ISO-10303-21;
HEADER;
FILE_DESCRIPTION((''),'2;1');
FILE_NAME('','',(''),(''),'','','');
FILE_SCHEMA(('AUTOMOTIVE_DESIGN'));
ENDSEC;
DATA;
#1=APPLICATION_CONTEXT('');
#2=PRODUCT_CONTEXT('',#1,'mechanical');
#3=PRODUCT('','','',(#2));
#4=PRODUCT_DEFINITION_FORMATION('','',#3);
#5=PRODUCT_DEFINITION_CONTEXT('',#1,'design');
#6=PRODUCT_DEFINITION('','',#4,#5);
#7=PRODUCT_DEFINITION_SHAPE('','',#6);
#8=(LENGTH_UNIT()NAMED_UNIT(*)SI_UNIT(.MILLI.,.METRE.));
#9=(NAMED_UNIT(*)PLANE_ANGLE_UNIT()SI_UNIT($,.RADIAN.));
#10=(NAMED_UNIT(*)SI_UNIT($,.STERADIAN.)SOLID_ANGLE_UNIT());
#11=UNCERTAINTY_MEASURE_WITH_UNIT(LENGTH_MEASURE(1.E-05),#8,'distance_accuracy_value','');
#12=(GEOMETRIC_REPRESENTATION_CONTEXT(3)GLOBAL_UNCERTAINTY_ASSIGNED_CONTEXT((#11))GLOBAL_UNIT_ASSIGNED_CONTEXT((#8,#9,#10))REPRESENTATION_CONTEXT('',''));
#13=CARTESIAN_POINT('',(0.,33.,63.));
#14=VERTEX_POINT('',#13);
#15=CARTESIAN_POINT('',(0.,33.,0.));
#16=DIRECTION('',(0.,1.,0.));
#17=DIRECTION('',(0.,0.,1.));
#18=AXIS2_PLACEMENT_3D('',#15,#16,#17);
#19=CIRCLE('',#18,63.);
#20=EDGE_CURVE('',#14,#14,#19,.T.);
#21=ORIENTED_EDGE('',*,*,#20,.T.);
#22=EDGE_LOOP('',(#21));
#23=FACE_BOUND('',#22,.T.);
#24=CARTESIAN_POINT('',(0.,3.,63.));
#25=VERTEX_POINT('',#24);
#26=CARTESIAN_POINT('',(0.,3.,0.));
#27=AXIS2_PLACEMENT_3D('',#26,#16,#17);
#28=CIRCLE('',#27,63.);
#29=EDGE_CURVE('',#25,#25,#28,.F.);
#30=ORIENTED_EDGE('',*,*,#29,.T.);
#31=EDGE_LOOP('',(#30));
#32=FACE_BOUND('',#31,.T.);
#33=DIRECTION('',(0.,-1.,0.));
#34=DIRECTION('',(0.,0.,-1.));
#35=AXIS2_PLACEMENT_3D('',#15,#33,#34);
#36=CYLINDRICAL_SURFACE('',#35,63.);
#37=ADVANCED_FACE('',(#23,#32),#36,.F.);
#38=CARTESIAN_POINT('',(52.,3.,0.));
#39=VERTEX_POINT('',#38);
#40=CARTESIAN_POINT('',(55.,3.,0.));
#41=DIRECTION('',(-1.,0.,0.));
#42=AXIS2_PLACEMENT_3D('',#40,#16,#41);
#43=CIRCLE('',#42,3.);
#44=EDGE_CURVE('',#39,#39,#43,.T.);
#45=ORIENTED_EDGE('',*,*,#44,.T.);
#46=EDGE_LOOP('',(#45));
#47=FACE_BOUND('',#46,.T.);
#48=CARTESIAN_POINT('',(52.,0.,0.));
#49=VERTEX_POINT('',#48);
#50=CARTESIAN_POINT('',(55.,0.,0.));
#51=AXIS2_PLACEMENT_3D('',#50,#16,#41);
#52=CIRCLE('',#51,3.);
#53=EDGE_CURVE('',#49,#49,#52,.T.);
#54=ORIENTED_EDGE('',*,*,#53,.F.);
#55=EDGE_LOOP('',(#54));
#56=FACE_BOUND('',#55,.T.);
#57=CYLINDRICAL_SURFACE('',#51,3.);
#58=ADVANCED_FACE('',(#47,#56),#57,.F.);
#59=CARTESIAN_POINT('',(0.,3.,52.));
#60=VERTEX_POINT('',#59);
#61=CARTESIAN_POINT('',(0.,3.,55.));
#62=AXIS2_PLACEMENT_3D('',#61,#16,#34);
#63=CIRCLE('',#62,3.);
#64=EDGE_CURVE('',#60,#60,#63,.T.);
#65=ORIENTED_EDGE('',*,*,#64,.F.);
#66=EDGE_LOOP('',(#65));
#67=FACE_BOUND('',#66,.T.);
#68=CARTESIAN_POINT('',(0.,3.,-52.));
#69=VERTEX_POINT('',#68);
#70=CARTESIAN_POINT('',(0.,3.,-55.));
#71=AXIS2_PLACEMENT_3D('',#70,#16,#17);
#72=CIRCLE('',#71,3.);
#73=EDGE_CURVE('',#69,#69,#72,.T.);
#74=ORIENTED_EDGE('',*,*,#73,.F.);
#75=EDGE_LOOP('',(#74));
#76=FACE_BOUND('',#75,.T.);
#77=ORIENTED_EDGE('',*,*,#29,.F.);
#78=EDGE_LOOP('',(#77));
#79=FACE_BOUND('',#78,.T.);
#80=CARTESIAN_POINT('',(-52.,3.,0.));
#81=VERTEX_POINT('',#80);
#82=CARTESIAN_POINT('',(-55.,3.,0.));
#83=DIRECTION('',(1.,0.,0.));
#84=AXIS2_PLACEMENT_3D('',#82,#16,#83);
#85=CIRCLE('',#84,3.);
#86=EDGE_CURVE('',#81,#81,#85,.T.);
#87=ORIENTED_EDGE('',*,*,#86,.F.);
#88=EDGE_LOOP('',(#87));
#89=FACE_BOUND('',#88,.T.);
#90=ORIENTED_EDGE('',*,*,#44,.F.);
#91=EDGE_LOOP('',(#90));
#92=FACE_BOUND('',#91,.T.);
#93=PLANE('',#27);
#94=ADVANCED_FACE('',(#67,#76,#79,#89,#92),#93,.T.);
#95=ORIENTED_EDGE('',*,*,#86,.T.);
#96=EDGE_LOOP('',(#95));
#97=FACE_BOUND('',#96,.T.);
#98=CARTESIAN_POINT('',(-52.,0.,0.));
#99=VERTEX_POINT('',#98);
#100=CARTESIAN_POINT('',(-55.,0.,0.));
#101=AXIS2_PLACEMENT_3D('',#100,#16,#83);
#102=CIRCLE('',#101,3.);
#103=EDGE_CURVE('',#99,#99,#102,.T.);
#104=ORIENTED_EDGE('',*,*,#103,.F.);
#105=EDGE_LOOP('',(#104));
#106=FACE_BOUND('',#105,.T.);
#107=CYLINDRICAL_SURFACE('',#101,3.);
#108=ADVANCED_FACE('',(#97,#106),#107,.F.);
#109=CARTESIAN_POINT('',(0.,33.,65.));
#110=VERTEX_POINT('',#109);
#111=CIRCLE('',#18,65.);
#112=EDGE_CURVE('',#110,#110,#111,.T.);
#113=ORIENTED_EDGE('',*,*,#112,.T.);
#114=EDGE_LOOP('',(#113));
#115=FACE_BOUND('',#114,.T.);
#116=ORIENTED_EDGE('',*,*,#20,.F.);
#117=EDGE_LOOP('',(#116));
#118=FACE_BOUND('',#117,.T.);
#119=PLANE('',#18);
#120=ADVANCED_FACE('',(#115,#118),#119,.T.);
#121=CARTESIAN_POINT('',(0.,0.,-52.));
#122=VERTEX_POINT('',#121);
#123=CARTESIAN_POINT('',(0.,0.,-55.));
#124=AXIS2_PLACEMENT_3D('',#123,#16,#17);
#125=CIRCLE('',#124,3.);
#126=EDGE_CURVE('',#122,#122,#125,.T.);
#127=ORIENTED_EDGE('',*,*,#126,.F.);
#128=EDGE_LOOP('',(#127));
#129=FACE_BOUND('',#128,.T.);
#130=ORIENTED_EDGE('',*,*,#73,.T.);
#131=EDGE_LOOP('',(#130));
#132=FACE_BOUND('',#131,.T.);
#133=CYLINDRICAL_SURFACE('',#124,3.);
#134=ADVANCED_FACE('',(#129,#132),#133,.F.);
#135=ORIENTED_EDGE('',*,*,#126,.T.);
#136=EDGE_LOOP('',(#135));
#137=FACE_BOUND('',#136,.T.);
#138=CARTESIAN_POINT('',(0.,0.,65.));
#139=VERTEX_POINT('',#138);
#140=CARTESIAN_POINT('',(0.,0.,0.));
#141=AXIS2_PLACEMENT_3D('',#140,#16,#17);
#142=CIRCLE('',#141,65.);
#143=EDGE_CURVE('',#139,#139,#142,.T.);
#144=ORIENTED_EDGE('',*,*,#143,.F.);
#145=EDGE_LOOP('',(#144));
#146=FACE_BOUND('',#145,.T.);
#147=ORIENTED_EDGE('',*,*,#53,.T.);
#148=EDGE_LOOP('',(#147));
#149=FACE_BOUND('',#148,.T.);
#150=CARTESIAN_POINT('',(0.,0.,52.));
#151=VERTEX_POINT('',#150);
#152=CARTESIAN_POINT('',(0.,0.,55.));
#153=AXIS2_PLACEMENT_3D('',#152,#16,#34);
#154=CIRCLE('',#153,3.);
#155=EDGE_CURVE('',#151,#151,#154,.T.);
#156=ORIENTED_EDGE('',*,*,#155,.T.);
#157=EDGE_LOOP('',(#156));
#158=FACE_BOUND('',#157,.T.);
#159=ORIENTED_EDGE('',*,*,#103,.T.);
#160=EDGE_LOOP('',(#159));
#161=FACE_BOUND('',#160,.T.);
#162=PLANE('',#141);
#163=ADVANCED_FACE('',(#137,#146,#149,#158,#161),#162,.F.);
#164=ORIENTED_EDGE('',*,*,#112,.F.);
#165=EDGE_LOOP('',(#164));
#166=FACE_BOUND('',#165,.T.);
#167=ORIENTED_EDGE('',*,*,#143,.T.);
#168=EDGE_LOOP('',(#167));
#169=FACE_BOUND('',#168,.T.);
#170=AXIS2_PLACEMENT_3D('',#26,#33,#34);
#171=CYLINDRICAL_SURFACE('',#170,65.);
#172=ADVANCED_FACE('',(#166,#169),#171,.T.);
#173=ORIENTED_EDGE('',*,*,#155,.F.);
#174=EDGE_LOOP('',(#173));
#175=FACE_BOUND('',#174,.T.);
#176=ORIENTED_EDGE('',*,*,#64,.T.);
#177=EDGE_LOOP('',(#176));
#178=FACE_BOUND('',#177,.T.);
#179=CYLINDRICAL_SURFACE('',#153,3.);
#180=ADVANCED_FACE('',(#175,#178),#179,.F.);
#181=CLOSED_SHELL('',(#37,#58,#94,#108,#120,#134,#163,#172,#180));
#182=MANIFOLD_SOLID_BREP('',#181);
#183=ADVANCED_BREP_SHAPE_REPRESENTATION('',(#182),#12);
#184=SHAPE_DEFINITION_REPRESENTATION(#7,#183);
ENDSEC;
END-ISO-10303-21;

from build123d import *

# Parameters (mm, degrees)
SKETCH1_R           = 65
BOSS_EXTRUDE1_DEPTH = 3
SKETCH2_R           = 3
CUT_EXTRUDE1_DEPTH  = 4
CIRPATTERN1_COUNT   = 4
SKETCH3_R           = 65
SKETCH3_R_2         = 63
BOSS_EXTRUDE2_DEPTH = 30


with BuildPart() as part:
    # Sketch1 → Boss-Extrude1 (new body)
    with BuildSketch(Plane(origin=(0, 0, 0), x_dir=(1, 0, 0), z_dir=(0, 1, 0))):
        Circle(SKETCH1_R)
    extrude(amount=BOSS_EXTRUDE1_DEPTH)

    # Sketch2 → Cut-Extrude1 (cut, through all)
    with BuildSketch(Plane(origin=(0, 3, 0), x_dir=(1, 0, 0), z_dir=(0, 1, 0))):
        with Locations((0, 55)):
            Circle(SKETCH2_R)
    cut_extrude1 = extrude(amount=-CUT_EXTRUDE1_DEPTH, mode=Mode.SUBTRACT)

    # CirPattern1: Cut-Extrude1 ×4 about axis
    cirpattern1_axis = Axis((0, 0, 0), (0, 1, 0))
    for i in range(1, CIRPATTERN1_COUNT):
        add(cut_extrude1.rotate(cirpattern1_axis, i * 360 / CIRPATTERN1_COUNT), mode=Mode.SUBTRACT)

    # Sketch3 → Boss-Extrude2 (add)
    with BuildSketch(Plane(origin=(0, 3, 0), x_dir=(1, 0, 0), z_dir=(0, 1, 0))):
        Circle(SKETCH3_R)
        Circle(SKETCH3_R_2, mode=Mode.SUBTRACT)
    extrude(amount=BOSS_EXTRUDE2_DEPTH)


solid = part.part
